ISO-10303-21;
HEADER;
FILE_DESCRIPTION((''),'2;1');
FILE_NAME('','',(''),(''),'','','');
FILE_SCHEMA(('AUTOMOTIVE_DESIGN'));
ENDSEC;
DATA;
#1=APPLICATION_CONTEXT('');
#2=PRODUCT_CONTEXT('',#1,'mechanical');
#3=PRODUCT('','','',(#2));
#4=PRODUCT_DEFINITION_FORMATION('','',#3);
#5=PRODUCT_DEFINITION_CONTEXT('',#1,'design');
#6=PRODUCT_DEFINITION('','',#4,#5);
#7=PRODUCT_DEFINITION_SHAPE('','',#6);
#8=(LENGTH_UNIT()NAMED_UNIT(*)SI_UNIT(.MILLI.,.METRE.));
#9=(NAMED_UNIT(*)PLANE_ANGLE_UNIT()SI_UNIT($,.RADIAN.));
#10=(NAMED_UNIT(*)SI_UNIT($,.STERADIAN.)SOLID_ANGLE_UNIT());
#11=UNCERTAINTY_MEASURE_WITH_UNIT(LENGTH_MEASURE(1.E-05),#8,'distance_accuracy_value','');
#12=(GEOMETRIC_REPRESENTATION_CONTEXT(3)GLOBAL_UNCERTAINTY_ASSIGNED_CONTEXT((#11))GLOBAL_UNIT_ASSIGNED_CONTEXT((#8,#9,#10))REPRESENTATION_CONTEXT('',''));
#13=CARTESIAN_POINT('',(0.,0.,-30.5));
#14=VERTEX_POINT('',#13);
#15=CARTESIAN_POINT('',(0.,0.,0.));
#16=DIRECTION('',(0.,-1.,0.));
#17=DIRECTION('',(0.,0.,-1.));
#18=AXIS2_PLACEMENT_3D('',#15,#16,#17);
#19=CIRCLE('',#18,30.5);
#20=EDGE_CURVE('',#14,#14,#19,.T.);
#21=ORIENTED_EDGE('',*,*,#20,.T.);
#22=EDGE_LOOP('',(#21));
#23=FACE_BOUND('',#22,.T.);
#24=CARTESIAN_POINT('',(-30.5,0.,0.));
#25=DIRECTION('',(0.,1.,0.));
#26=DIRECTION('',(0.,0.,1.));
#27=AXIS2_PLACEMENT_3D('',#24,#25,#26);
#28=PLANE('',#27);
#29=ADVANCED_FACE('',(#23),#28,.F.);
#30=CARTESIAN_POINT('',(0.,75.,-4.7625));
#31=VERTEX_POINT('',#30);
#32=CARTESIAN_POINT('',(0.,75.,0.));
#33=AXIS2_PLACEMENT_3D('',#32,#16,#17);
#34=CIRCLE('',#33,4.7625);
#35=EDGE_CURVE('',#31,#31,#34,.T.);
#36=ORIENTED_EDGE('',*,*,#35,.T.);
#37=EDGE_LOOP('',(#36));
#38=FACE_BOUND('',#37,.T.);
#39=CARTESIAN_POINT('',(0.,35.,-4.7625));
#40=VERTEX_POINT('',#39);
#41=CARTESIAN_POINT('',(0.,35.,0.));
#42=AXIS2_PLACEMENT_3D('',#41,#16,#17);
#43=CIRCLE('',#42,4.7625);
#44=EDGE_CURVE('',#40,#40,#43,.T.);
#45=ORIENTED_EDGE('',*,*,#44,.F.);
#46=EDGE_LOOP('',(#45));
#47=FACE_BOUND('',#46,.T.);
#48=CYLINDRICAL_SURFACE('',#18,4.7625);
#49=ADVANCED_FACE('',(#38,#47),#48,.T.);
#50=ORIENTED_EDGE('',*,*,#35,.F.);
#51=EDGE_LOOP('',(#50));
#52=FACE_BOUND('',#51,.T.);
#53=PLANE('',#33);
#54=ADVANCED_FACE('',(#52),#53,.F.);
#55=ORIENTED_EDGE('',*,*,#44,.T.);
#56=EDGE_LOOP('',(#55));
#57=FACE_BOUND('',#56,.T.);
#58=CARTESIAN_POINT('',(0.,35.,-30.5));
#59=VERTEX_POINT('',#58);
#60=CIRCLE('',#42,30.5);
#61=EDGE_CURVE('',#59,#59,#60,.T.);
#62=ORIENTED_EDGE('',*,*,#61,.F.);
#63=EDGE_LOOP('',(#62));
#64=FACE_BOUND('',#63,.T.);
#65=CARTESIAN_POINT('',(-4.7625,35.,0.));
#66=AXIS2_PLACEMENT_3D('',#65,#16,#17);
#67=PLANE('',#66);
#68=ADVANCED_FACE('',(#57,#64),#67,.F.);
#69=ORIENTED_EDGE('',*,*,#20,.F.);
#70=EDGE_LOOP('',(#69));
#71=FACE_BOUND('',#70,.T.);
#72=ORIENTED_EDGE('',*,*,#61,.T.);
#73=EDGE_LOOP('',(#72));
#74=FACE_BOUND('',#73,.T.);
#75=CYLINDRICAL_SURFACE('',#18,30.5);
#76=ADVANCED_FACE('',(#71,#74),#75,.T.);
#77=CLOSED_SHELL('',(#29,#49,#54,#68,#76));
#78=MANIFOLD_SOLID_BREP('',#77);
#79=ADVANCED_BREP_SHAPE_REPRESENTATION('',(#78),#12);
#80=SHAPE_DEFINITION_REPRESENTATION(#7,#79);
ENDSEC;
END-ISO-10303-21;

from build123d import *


with BuildPart() as part:
    # Esboço1 → Revolução1 (revolve)
    with BuildSketch(Plane.XY, mode=Mode.PRIVATE) as revolu_o1_sk:
        Polygon((0, 0), (0, 75), (-4.7625, 75), (-4.7625, 35), (-30.5, 35), (-30.5, 0), align=None)
    revolve(revolu_o1_sk.sketch.rotate(Axis((0, 0, 0), (0, 1, 0)), 270), axis=Axis((0, 0, 0), (0, 1, 0)))


solid = part.part
